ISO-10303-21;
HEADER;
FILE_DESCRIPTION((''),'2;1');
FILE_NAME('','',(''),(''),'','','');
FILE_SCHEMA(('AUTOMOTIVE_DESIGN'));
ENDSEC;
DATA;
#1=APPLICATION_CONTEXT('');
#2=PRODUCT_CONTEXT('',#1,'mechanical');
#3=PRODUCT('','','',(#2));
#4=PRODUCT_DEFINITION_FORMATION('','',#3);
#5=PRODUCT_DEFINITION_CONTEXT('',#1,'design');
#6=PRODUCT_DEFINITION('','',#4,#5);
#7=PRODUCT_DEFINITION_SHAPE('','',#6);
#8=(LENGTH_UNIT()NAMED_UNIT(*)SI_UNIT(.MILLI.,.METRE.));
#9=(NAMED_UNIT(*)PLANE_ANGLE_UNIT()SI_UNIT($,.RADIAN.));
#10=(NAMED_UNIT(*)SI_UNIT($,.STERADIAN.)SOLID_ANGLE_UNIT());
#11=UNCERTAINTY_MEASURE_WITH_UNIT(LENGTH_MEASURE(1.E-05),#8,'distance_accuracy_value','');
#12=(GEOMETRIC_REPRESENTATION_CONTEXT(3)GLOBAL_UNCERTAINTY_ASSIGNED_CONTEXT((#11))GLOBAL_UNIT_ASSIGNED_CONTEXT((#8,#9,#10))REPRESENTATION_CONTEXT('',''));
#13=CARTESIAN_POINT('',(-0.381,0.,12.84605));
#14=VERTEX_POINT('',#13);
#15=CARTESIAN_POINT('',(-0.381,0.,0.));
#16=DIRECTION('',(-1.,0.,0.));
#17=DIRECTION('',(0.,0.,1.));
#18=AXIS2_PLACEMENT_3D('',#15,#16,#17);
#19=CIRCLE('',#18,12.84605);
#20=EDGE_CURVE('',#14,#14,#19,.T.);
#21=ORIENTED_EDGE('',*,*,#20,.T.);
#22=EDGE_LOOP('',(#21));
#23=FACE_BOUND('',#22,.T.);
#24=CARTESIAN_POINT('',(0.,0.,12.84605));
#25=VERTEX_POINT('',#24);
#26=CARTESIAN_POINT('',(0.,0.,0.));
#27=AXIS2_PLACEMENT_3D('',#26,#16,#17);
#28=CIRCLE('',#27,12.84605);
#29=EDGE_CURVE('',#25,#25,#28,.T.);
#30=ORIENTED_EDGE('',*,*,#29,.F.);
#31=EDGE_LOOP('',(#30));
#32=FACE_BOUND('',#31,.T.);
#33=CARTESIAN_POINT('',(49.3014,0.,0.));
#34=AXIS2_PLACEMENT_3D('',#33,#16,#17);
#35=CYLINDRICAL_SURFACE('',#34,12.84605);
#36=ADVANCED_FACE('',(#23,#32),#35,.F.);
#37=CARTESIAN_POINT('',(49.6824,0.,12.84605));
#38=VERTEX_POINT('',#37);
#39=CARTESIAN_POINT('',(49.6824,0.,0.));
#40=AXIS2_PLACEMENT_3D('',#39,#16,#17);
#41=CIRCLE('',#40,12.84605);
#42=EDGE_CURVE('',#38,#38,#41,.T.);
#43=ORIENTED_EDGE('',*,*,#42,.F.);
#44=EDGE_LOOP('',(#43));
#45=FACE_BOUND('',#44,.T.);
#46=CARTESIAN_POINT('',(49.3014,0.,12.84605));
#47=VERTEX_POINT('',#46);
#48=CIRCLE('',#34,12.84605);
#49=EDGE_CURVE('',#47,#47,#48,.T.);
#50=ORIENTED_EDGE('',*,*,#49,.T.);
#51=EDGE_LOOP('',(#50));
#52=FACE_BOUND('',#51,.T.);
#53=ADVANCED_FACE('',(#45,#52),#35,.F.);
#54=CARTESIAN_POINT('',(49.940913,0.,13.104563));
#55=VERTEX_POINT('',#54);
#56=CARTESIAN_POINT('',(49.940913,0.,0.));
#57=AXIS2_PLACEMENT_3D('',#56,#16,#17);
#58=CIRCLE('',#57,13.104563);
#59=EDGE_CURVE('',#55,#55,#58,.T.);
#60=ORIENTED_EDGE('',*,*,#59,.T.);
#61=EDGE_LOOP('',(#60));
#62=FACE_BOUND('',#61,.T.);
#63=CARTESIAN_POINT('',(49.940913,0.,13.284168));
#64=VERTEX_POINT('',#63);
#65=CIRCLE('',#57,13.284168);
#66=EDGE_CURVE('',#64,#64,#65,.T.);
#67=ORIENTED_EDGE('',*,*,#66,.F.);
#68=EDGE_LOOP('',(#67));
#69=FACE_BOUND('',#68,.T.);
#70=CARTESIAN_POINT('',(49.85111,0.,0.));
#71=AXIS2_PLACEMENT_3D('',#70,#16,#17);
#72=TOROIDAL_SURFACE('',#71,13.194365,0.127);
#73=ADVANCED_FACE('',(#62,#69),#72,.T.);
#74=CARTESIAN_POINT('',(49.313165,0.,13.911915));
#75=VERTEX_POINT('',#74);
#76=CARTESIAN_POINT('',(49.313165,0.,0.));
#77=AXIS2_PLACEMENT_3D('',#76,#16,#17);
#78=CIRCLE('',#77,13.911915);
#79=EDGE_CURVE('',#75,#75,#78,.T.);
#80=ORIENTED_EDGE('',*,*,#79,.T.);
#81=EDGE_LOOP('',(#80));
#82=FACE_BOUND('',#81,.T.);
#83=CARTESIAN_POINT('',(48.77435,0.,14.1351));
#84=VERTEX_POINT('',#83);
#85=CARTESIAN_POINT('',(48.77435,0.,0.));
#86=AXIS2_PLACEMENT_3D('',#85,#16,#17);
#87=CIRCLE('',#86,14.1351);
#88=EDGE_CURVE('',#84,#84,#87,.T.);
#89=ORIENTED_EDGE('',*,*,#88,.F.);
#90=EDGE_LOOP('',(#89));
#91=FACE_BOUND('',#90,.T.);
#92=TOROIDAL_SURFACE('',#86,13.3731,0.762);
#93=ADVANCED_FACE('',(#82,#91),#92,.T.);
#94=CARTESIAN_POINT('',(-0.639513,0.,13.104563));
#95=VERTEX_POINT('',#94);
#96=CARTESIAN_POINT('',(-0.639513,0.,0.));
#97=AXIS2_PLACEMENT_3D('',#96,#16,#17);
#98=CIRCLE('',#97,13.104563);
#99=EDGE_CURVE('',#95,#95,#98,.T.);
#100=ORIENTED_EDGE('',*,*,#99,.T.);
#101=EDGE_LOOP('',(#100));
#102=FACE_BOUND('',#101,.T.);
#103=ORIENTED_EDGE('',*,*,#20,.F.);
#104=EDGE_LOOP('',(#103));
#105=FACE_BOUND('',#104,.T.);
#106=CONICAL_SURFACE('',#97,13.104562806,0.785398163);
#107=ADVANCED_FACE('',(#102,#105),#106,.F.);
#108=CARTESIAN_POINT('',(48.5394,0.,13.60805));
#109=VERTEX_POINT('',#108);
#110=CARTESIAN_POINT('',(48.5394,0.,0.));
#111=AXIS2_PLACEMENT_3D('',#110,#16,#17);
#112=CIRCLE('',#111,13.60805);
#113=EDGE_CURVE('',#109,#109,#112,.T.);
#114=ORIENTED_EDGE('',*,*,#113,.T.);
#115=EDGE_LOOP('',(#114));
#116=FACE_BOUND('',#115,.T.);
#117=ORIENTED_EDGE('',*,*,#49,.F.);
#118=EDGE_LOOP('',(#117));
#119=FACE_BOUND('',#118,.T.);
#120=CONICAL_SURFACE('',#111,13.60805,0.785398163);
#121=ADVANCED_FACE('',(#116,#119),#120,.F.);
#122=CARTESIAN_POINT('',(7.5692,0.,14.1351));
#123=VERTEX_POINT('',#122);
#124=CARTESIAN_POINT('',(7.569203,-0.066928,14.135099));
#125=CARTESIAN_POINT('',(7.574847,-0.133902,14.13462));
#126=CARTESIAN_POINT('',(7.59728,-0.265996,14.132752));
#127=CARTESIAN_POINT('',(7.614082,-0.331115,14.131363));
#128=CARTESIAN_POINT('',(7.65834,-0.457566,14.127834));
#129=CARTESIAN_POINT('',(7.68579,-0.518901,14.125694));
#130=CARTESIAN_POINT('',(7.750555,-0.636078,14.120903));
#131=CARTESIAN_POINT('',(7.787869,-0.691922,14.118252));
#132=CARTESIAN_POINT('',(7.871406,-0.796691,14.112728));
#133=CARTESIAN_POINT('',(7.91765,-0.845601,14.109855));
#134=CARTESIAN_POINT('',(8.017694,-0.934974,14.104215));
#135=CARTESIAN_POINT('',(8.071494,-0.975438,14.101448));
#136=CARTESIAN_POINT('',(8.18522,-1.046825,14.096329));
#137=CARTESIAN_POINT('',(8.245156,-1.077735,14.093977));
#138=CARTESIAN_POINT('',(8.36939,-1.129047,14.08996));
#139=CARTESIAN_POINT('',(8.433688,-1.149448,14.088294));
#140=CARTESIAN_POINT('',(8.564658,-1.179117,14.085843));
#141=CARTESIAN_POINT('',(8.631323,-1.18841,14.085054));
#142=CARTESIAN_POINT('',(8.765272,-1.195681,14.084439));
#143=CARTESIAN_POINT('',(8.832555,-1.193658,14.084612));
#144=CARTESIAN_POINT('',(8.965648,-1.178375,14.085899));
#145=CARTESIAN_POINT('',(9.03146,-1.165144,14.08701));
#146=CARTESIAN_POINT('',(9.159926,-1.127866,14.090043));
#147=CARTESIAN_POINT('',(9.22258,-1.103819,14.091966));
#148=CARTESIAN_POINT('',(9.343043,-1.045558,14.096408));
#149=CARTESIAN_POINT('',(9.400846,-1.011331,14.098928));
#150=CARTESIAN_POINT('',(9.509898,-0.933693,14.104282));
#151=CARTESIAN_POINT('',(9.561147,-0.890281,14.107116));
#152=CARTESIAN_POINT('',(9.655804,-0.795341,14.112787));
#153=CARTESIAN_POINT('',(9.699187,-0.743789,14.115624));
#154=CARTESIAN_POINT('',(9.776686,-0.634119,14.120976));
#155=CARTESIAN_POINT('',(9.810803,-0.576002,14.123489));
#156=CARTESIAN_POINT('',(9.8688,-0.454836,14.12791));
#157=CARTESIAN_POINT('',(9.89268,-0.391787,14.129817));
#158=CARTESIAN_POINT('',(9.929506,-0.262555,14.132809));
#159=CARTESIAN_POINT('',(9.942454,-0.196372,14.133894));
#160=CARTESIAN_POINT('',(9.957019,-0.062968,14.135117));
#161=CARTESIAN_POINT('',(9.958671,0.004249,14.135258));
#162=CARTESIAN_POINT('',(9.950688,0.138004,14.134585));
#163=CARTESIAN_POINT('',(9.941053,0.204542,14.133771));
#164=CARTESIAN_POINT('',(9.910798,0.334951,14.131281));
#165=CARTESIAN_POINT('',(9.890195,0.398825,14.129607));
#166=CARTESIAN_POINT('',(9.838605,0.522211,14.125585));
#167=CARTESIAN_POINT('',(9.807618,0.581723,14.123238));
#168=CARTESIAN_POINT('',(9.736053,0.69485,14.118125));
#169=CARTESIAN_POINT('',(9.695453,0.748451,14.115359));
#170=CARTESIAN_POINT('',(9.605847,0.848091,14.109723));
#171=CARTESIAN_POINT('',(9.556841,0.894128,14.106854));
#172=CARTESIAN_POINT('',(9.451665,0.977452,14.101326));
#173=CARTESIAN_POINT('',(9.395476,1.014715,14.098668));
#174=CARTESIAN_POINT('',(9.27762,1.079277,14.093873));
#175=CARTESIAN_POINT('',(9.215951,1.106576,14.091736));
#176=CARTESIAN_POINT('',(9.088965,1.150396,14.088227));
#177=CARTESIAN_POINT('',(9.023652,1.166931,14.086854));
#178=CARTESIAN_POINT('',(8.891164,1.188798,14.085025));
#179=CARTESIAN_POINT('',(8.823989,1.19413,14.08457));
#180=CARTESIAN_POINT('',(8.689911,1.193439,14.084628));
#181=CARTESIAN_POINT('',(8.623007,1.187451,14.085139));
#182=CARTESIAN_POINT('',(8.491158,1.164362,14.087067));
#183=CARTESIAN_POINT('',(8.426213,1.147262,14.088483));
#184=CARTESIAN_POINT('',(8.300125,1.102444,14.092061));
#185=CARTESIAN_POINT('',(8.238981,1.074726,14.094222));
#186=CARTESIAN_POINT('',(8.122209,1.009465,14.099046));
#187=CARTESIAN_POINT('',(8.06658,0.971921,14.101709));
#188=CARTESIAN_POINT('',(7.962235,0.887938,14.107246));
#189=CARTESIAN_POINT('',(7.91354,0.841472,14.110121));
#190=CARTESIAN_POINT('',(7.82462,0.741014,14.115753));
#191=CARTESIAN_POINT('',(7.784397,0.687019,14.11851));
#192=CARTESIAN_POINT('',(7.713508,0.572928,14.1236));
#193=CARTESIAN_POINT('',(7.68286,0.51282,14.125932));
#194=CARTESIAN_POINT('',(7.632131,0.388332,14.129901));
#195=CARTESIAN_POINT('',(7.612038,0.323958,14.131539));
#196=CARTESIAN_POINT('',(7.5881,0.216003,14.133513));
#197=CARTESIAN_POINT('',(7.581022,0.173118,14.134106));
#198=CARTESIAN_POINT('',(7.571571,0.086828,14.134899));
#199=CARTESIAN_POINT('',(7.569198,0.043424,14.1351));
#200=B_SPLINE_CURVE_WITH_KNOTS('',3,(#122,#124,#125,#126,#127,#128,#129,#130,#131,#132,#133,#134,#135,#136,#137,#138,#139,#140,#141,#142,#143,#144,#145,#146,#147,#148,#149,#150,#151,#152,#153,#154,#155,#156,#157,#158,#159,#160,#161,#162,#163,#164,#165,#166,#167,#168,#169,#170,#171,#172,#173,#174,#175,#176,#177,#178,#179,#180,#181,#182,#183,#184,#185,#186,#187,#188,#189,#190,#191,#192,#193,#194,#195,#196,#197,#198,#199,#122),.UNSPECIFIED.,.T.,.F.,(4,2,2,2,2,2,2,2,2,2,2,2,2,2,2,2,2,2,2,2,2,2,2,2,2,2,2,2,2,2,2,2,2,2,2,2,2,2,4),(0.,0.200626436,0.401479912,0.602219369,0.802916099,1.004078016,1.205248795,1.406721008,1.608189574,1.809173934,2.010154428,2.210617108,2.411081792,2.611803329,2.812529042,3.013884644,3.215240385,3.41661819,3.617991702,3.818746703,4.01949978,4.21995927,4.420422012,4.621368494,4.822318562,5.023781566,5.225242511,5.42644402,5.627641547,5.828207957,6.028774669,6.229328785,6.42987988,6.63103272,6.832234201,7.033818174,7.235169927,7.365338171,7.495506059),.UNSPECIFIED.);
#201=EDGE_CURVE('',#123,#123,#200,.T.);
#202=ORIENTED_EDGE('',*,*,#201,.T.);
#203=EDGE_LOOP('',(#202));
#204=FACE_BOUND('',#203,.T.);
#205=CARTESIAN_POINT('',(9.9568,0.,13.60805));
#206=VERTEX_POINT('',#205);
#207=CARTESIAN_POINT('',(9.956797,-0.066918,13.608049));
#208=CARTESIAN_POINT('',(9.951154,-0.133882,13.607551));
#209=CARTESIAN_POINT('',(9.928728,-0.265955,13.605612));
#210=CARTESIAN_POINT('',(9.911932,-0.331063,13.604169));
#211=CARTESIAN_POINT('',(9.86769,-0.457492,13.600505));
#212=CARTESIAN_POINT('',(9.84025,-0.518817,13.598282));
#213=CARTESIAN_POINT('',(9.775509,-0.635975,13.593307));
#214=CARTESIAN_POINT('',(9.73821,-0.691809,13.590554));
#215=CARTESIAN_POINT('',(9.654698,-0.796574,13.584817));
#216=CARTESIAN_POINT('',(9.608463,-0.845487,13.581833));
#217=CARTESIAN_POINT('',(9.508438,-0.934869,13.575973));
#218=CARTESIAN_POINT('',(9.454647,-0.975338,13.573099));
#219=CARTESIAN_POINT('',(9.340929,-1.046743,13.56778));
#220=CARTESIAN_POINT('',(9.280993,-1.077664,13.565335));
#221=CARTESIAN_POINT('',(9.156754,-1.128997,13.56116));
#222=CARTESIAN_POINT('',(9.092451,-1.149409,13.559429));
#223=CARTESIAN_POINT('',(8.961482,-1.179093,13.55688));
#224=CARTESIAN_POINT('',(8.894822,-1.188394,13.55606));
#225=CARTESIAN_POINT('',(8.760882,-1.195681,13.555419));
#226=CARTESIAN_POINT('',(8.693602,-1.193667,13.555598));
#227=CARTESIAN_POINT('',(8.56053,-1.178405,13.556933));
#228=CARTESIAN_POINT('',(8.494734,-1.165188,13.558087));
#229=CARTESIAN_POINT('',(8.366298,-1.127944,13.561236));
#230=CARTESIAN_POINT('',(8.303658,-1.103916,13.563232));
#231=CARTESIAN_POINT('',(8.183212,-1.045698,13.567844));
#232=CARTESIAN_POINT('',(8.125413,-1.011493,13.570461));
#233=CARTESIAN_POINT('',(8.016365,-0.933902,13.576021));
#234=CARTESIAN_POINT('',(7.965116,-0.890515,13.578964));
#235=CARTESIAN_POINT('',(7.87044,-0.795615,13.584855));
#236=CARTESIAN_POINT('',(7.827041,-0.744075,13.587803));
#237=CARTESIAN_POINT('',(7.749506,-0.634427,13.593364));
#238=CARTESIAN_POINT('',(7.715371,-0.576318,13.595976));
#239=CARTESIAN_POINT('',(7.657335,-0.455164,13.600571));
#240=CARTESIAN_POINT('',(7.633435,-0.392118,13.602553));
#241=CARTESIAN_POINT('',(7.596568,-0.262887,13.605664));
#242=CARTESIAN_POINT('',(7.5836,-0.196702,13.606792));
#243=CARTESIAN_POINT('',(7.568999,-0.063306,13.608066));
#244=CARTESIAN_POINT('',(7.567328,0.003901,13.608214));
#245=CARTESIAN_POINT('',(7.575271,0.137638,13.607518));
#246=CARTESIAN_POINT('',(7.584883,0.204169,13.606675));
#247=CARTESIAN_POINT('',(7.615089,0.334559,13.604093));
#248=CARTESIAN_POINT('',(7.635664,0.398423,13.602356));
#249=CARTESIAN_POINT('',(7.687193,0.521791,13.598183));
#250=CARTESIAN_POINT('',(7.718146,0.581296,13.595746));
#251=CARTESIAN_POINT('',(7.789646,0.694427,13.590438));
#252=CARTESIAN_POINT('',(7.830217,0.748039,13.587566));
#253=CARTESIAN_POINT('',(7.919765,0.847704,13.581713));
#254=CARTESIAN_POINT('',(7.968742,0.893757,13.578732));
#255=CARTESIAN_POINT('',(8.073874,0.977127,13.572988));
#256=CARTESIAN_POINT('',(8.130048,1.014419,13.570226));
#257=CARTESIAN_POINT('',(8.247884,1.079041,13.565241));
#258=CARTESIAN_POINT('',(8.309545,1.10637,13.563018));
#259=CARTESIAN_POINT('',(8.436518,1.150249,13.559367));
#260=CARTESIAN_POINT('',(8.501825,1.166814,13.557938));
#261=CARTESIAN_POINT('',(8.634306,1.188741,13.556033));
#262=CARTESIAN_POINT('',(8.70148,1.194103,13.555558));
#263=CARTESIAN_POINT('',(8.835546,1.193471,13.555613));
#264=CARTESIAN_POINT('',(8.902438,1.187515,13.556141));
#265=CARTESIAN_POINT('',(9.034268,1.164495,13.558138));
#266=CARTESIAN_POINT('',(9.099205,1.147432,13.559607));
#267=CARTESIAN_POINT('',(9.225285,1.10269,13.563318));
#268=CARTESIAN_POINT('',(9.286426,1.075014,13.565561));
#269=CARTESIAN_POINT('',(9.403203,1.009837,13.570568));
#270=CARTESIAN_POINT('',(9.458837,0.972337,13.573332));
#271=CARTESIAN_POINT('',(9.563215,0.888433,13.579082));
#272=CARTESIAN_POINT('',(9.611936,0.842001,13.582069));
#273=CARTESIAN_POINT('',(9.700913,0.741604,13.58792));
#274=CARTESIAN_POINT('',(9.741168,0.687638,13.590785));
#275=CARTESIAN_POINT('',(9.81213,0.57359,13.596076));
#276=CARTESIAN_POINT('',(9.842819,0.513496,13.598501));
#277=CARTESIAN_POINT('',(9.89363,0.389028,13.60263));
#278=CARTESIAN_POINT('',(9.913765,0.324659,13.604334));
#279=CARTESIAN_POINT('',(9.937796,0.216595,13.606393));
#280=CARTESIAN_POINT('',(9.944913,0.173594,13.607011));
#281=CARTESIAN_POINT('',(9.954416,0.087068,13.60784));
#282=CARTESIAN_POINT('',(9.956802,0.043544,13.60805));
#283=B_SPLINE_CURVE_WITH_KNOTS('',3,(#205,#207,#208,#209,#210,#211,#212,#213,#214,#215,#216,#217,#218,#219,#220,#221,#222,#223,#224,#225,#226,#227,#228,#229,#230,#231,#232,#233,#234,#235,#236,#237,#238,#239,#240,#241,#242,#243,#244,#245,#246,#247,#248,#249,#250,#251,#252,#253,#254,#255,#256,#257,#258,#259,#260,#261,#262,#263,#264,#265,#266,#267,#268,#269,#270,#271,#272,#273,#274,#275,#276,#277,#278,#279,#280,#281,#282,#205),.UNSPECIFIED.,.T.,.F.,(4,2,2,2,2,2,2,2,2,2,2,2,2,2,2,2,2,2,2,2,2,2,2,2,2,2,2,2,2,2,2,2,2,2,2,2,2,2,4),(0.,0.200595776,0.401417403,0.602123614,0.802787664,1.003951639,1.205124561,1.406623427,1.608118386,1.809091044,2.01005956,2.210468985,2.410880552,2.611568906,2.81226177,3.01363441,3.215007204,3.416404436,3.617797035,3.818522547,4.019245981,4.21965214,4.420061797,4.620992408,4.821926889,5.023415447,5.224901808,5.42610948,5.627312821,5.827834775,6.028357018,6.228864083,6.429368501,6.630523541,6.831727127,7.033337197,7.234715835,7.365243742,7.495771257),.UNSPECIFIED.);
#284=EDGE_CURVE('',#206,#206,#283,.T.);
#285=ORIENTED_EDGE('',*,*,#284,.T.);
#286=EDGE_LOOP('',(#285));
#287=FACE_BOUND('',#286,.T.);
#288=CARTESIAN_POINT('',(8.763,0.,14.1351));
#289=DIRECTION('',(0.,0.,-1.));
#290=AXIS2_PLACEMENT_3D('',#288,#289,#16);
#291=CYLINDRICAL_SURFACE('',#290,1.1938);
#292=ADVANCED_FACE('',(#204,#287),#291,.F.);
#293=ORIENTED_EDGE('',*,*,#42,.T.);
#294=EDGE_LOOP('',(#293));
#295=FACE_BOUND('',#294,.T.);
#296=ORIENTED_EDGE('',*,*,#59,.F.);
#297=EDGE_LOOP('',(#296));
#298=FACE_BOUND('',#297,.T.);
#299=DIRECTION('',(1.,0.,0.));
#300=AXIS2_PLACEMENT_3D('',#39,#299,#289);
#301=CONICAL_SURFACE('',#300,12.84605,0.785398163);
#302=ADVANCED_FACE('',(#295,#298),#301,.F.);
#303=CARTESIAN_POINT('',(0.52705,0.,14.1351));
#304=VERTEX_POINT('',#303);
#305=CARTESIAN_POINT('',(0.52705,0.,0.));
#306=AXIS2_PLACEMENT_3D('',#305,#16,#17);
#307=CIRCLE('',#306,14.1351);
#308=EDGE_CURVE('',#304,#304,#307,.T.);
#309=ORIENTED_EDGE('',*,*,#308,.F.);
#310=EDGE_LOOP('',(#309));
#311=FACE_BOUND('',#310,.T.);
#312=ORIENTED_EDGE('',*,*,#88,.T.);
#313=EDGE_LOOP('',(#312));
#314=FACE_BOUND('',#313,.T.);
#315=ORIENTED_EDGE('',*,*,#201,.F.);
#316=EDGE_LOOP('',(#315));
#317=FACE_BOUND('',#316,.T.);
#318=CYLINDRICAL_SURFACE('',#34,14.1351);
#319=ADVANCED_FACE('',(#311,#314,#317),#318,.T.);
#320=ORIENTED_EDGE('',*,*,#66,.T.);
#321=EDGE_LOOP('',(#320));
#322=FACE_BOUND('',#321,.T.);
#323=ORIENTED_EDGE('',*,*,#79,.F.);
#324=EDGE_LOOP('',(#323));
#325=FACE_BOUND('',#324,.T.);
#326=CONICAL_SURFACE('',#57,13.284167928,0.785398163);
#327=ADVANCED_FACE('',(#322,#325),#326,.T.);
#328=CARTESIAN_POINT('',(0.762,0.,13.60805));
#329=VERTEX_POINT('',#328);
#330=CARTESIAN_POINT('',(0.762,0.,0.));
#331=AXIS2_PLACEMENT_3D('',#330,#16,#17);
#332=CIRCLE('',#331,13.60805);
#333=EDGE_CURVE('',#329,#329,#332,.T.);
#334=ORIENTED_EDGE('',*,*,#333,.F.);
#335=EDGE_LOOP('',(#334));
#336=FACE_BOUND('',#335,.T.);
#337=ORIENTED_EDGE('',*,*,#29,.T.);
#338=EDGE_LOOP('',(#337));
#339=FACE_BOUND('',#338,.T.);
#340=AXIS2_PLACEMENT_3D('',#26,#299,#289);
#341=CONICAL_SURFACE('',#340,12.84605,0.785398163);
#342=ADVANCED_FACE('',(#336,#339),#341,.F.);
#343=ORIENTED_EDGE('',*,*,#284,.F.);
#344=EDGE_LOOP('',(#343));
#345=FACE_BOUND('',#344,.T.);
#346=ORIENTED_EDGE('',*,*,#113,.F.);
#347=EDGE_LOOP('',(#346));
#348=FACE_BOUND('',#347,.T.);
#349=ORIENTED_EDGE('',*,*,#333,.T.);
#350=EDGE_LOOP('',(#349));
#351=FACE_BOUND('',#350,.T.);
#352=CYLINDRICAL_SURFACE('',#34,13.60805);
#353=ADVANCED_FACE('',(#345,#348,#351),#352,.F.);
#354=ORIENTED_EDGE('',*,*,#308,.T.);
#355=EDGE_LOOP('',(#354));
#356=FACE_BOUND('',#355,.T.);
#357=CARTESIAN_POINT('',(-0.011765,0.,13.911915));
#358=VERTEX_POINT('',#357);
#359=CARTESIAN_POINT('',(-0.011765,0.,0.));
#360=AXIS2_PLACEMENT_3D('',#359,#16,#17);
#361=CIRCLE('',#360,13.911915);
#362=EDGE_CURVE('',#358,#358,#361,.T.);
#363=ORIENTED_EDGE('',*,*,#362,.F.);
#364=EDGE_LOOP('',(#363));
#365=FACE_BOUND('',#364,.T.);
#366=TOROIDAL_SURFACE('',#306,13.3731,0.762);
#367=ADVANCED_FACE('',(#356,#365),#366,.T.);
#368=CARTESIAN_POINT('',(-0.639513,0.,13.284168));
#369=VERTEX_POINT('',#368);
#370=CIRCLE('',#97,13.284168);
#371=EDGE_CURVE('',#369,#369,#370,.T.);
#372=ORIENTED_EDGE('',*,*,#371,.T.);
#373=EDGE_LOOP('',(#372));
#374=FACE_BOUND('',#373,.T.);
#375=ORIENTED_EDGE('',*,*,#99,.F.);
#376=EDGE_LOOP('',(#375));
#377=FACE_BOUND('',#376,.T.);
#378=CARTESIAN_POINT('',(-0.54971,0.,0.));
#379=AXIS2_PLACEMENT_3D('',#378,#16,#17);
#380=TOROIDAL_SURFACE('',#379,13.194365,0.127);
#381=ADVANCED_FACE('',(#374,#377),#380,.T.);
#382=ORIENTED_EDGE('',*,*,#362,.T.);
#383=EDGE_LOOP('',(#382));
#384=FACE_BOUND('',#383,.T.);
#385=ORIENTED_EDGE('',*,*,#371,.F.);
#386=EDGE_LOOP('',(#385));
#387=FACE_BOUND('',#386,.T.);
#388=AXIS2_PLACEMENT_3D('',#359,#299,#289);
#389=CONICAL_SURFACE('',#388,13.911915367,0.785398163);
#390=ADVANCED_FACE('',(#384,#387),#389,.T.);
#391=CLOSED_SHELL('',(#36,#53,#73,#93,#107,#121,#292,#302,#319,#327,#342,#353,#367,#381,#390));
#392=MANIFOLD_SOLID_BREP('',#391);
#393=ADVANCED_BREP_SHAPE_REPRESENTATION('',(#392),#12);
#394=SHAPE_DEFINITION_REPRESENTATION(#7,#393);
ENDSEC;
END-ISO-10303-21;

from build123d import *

# Parameters (mm, degrees)
SKETCH2_R          = 1.1938
CUT_EXTRUDE1_DEPTH = 14.1351


with BuildPart() as part:
    # Sketch1 → Revolve1 (revolve)
    with BuildSketch(Plane.XY):
        with BuildLine():
            Line((-0.639512806, 13.104562806), (-0.381, 12.84605))
            Line((-0.381, 12.84605), (0, 12.84605))
            Line((0, 12.84605), (0.762, 13.60805))
            Line((0.762, 13.60805), (48.5394, 13.60805))
            Line((48.5394, 13.60805), (49.3014, 12.84605))
            Line((49.3014, 12.84605), (49.6824, 12.84605))
            Line((49.6824, 12.84605), (49.940912806, 13.104562806))
            ThreePointArc((49.940912806, 13.104562806), (49.978110245, 13.194365367), (49.940912806, 13.284167928))
            Line((49.940912806, 13.284167928), (49.313165367, 13.911915367))
            ThreePointArc((49.313165367, 13.911915367), (49.065954775, 14.077096204), (48.77435, 14.1351))
            Line((48.77435, 14.1351), (0.52705, 14.1351))
            ThreePointArc((0.52705, 14.1351), (0.235445225, 14.077096204), (-0.011765367, 13.911915367))
            Line((-0.011765367, 13.911915367), (-0.639512806, 13.284167928))
            ThreePointArc((-0.639512806, 13.284167928), (-0.676710245, 13.194365367), (-0.639512806, 13.104562806))
        make_face()
    revolve(axis=Axis((49.3014, 0, 0), (-1, 0, 0)))

    # Sketch2 → Cut-Extrude1 (cut)
    with BuildSketch(Plane.XY):
        with Locations((8.763, 0)):
            Circle(SKETCH2_R)
    extrude(amount=CUT_EXTRUDE1_DEPTH, mode=Mode.SUBTRACT)


solid = part.part
